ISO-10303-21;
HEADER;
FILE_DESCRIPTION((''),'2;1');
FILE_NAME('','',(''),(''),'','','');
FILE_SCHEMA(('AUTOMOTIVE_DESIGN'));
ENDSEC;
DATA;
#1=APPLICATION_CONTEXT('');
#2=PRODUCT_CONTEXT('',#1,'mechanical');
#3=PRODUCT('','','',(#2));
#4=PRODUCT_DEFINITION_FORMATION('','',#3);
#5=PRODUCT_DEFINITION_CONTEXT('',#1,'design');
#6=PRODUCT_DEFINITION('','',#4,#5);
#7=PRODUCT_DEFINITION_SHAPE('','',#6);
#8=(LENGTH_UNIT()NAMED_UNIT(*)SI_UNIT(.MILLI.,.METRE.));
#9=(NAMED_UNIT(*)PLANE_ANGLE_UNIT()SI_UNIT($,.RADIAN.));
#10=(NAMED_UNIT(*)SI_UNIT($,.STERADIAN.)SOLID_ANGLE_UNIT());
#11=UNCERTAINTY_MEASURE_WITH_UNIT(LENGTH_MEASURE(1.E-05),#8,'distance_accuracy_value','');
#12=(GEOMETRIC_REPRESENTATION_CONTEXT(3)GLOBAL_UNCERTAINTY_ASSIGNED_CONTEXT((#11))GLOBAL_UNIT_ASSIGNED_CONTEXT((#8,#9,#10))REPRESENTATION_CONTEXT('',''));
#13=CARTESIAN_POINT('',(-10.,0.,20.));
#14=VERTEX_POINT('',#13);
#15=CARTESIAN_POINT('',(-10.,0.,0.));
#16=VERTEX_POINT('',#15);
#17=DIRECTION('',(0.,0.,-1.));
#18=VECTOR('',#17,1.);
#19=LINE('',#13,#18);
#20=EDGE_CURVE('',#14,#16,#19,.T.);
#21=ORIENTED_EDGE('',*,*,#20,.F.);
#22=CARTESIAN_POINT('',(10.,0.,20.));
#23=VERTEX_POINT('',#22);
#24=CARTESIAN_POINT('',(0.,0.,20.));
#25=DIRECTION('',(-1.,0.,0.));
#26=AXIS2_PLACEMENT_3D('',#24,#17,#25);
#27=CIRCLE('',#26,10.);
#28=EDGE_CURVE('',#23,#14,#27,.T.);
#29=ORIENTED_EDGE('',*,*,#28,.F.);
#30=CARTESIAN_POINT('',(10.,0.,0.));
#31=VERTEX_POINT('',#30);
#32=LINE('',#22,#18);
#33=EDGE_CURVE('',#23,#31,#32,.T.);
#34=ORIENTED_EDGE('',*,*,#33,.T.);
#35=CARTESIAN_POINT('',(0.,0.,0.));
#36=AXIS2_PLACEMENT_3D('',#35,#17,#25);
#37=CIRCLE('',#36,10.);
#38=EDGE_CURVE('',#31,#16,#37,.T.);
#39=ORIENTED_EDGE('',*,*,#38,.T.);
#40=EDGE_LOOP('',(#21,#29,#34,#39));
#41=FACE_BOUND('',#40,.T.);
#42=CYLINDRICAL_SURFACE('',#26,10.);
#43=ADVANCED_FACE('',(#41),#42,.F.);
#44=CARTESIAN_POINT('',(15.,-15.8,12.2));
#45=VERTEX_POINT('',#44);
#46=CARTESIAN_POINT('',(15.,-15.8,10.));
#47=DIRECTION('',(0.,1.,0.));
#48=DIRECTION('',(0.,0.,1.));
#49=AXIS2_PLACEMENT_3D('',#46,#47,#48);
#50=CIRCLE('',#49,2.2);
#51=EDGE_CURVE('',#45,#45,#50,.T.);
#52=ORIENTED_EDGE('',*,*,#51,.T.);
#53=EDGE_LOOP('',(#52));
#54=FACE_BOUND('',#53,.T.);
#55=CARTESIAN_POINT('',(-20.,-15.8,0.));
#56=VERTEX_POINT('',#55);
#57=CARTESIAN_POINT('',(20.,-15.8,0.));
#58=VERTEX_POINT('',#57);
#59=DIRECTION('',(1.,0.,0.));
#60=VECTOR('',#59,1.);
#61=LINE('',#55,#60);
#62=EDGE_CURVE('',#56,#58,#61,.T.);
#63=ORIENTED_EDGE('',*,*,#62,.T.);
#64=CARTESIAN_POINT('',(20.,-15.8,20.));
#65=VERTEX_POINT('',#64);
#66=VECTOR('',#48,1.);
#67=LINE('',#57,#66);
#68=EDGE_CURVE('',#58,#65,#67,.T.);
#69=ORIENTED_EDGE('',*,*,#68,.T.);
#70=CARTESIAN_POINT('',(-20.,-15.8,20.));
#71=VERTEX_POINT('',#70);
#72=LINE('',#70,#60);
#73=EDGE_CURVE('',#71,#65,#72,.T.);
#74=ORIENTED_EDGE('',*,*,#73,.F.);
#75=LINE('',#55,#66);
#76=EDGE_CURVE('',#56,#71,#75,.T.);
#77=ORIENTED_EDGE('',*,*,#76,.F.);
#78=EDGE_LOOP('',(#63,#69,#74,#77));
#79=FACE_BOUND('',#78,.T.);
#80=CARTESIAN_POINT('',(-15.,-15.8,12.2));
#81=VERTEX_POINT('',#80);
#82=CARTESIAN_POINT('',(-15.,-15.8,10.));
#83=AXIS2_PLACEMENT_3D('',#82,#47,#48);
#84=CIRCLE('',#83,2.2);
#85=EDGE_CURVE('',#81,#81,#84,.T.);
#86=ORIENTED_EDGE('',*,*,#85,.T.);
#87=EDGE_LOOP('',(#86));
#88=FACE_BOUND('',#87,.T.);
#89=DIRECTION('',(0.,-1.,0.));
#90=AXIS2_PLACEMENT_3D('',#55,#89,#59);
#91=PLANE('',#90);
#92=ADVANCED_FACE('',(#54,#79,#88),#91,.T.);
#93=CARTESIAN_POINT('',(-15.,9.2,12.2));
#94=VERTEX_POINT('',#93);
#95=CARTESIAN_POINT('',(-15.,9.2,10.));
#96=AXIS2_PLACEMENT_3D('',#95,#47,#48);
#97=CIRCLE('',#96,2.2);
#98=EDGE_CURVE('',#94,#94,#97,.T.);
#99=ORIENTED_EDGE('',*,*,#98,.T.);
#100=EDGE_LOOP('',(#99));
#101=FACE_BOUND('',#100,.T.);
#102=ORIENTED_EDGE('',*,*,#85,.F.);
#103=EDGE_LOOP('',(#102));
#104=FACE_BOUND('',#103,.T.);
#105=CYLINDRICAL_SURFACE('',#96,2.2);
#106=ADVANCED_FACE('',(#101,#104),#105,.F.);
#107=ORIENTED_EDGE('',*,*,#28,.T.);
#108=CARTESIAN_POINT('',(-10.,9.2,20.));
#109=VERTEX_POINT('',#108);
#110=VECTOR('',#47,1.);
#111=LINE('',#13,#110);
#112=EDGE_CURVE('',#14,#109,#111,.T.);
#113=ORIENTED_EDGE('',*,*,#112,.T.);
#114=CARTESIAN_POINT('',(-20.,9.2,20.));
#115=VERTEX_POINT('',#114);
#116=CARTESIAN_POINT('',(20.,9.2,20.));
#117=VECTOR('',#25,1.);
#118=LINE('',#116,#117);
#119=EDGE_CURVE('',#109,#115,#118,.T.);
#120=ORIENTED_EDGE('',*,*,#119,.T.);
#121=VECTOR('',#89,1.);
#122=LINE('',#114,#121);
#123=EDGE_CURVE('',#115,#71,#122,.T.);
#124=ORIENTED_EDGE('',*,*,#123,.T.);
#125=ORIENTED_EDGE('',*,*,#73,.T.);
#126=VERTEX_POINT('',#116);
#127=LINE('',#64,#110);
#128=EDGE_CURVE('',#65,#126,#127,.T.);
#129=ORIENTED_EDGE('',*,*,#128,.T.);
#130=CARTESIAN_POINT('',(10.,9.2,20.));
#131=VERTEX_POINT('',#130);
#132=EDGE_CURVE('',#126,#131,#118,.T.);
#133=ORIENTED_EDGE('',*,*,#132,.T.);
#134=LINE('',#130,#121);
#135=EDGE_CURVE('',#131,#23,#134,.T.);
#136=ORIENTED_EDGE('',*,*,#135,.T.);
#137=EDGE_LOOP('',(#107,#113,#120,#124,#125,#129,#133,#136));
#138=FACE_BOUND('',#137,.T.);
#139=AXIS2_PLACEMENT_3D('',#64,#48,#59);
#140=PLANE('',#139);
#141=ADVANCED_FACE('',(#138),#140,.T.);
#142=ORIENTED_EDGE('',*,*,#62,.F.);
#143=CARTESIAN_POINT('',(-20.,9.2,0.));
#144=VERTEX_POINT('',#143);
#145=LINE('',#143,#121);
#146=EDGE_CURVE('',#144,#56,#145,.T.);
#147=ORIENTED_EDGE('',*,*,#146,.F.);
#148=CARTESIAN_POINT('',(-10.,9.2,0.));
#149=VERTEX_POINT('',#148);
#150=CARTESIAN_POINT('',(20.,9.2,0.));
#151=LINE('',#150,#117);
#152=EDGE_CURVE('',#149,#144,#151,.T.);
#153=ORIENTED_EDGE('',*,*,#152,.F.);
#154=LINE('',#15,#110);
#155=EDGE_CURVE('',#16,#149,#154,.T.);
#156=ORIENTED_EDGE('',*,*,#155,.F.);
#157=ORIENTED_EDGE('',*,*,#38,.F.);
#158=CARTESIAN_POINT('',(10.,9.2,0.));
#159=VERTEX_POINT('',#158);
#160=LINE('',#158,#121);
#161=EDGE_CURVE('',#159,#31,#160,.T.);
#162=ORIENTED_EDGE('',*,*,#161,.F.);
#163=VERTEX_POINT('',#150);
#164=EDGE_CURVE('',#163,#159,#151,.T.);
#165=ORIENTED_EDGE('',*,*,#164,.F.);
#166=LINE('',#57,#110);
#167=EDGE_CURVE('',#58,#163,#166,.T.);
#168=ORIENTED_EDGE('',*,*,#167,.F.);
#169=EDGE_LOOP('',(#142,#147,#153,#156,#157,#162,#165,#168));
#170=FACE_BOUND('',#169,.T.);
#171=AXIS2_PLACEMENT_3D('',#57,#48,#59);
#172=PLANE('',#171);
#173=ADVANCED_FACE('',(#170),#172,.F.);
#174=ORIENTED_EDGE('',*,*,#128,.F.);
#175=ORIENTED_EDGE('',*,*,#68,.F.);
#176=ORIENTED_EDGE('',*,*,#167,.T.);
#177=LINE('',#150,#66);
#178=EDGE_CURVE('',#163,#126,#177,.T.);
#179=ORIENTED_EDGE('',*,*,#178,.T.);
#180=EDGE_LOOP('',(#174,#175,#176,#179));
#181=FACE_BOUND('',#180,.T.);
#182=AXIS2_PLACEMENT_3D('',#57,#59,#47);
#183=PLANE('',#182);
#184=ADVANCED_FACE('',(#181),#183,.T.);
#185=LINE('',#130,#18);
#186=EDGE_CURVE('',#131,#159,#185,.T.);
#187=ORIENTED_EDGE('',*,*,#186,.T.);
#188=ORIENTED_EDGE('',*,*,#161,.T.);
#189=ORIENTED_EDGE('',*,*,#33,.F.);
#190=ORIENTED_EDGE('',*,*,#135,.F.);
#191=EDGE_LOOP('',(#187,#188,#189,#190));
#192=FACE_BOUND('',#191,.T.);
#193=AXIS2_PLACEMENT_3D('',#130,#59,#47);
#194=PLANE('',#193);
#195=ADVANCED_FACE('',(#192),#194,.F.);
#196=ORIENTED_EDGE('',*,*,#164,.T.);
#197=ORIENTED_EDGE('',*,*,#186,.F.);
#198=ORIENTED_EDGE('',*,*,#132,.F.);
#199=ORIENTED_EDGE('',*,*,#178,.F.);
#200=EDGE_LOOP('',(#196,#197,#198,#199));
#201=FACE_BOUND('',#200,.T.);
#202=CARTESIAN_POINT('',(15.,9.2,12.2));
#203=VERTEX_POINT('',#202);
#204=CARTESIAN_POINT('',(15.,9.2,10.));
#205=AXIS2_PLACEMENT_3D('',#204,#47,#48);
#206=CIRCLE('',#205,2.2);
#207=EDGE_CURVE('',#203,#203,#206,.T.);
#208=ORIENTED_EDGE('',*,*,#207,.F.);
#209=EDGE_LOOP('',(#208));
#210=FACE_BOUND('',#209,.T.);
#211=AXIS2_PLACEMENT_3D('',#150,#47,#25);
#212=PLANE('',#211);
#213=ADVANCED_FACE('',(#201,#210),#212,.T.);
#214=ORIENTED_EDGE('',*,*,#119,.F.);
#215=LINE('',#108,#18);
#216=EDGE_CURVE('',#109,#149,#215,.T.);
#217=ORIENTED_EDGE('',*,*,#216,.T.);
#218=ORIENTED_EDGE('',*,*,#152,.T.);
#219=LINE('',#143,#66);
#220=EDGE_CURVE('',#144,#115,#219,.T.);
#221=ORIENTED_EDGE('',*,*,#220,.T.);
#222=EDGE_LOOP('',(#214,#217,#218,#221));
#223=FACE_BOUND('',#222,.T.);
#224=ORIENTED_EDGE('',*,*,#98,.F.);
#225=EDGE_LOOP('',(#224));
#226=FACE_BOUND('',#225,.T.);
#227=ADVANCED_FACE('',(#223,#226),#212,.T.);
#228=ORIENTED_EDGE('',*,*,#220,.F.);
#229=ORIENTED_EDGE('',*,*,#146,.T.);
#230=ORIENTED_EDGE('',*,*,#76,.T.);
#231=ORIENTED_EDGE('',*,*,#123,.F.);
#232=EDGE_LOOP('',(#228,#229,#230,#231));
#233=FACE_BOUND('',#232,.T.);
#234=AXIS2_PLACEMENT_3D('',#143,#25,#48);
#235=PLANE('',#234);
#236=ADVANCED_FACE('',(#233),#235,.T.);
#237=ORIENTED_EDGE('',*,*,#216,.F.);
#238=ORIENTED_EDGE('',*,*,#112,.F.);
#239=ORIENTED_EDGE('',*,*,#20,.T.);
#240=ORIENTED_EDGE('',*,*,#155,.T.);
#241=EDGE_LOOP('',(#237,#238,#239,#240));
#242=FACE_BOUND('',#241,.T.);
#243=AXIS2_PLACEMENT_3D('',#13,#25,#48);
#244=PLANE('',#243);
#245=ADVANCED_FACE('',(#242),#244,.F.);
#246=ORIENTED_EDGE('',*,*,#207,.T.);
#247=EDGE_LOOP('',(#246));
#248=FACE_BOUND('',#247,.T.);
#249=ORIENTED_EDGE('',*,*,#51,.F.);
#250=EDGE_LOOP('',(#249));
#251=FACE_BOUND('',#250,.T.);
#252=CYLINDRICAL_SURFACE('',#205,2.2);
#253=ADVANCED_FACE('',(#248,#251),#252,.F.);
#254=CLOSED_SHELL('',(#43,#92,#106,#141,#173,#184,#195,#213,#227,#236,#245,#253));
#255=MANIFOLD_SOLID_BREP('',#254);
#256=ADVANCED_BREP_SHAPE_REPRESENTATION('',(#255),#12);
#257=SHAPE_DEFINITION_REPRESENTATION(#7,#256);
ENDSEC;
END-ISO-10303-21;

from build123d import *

# Parameters (mm, degrees)
SKETCH1_W           = 40
SKETCH1_H           = 25
BOSS_EXTRUDE1_DEPTH = 20
CUT_EXTRUDE1_DEPTH  = 33.398148095
HOLE1_D             = 4.4
HOLE2_D             = 4.4


with BuildPart() as part:
    # Sketch1 → Boss-Extrude1 (new body)
    with BuildSketch(Plane.XY.offset(20)):
        with Locations((0, -3.3)):
            Rectangle(SKETCH1_W, SKETCH1_H)
    extrude(amount=-BOSS_EXTRUDE1_DEPTH)

    # Sketch2 → Cut-Extrude1 (cut, through all)
    with BuildSketch(Plane(origin=(0, 0, 0), x_dir=(-1, 0, 0), z_dir=(0, 0, -1))):
        with BuildLine():
            Line((10, 9.2), (-10, 9.2))
            Line((-10, 9.2), (-10, 0))
            ThreePointArc((-10, 0), (0, -10), (10, 0))
            Line((10, 0), (10, 9.2))
        make_face()
    extrude(amount=-CUT_EXTRUDE1_DEPTH, mode=Mode.SUBTRACT)

    # Hole1 (through all)
    with Locations(Plane(origin=(0, 9.2, 0), x_dir=(-1, 0, 0), z_dir=(0, 1, 0))):
        with Locations((15, 10)):
            Hole(HOLE1_D / 2)

    # Hole2 (through all)
    with Locations(Plane(origin=(0, 9.2, 0), x_dir=(-1, 0, 0), z_dir=(0, 1, 0))):
        with Locations((-15, 10)):
            Hole(HOLE2_D / 2)


solid = part.part
